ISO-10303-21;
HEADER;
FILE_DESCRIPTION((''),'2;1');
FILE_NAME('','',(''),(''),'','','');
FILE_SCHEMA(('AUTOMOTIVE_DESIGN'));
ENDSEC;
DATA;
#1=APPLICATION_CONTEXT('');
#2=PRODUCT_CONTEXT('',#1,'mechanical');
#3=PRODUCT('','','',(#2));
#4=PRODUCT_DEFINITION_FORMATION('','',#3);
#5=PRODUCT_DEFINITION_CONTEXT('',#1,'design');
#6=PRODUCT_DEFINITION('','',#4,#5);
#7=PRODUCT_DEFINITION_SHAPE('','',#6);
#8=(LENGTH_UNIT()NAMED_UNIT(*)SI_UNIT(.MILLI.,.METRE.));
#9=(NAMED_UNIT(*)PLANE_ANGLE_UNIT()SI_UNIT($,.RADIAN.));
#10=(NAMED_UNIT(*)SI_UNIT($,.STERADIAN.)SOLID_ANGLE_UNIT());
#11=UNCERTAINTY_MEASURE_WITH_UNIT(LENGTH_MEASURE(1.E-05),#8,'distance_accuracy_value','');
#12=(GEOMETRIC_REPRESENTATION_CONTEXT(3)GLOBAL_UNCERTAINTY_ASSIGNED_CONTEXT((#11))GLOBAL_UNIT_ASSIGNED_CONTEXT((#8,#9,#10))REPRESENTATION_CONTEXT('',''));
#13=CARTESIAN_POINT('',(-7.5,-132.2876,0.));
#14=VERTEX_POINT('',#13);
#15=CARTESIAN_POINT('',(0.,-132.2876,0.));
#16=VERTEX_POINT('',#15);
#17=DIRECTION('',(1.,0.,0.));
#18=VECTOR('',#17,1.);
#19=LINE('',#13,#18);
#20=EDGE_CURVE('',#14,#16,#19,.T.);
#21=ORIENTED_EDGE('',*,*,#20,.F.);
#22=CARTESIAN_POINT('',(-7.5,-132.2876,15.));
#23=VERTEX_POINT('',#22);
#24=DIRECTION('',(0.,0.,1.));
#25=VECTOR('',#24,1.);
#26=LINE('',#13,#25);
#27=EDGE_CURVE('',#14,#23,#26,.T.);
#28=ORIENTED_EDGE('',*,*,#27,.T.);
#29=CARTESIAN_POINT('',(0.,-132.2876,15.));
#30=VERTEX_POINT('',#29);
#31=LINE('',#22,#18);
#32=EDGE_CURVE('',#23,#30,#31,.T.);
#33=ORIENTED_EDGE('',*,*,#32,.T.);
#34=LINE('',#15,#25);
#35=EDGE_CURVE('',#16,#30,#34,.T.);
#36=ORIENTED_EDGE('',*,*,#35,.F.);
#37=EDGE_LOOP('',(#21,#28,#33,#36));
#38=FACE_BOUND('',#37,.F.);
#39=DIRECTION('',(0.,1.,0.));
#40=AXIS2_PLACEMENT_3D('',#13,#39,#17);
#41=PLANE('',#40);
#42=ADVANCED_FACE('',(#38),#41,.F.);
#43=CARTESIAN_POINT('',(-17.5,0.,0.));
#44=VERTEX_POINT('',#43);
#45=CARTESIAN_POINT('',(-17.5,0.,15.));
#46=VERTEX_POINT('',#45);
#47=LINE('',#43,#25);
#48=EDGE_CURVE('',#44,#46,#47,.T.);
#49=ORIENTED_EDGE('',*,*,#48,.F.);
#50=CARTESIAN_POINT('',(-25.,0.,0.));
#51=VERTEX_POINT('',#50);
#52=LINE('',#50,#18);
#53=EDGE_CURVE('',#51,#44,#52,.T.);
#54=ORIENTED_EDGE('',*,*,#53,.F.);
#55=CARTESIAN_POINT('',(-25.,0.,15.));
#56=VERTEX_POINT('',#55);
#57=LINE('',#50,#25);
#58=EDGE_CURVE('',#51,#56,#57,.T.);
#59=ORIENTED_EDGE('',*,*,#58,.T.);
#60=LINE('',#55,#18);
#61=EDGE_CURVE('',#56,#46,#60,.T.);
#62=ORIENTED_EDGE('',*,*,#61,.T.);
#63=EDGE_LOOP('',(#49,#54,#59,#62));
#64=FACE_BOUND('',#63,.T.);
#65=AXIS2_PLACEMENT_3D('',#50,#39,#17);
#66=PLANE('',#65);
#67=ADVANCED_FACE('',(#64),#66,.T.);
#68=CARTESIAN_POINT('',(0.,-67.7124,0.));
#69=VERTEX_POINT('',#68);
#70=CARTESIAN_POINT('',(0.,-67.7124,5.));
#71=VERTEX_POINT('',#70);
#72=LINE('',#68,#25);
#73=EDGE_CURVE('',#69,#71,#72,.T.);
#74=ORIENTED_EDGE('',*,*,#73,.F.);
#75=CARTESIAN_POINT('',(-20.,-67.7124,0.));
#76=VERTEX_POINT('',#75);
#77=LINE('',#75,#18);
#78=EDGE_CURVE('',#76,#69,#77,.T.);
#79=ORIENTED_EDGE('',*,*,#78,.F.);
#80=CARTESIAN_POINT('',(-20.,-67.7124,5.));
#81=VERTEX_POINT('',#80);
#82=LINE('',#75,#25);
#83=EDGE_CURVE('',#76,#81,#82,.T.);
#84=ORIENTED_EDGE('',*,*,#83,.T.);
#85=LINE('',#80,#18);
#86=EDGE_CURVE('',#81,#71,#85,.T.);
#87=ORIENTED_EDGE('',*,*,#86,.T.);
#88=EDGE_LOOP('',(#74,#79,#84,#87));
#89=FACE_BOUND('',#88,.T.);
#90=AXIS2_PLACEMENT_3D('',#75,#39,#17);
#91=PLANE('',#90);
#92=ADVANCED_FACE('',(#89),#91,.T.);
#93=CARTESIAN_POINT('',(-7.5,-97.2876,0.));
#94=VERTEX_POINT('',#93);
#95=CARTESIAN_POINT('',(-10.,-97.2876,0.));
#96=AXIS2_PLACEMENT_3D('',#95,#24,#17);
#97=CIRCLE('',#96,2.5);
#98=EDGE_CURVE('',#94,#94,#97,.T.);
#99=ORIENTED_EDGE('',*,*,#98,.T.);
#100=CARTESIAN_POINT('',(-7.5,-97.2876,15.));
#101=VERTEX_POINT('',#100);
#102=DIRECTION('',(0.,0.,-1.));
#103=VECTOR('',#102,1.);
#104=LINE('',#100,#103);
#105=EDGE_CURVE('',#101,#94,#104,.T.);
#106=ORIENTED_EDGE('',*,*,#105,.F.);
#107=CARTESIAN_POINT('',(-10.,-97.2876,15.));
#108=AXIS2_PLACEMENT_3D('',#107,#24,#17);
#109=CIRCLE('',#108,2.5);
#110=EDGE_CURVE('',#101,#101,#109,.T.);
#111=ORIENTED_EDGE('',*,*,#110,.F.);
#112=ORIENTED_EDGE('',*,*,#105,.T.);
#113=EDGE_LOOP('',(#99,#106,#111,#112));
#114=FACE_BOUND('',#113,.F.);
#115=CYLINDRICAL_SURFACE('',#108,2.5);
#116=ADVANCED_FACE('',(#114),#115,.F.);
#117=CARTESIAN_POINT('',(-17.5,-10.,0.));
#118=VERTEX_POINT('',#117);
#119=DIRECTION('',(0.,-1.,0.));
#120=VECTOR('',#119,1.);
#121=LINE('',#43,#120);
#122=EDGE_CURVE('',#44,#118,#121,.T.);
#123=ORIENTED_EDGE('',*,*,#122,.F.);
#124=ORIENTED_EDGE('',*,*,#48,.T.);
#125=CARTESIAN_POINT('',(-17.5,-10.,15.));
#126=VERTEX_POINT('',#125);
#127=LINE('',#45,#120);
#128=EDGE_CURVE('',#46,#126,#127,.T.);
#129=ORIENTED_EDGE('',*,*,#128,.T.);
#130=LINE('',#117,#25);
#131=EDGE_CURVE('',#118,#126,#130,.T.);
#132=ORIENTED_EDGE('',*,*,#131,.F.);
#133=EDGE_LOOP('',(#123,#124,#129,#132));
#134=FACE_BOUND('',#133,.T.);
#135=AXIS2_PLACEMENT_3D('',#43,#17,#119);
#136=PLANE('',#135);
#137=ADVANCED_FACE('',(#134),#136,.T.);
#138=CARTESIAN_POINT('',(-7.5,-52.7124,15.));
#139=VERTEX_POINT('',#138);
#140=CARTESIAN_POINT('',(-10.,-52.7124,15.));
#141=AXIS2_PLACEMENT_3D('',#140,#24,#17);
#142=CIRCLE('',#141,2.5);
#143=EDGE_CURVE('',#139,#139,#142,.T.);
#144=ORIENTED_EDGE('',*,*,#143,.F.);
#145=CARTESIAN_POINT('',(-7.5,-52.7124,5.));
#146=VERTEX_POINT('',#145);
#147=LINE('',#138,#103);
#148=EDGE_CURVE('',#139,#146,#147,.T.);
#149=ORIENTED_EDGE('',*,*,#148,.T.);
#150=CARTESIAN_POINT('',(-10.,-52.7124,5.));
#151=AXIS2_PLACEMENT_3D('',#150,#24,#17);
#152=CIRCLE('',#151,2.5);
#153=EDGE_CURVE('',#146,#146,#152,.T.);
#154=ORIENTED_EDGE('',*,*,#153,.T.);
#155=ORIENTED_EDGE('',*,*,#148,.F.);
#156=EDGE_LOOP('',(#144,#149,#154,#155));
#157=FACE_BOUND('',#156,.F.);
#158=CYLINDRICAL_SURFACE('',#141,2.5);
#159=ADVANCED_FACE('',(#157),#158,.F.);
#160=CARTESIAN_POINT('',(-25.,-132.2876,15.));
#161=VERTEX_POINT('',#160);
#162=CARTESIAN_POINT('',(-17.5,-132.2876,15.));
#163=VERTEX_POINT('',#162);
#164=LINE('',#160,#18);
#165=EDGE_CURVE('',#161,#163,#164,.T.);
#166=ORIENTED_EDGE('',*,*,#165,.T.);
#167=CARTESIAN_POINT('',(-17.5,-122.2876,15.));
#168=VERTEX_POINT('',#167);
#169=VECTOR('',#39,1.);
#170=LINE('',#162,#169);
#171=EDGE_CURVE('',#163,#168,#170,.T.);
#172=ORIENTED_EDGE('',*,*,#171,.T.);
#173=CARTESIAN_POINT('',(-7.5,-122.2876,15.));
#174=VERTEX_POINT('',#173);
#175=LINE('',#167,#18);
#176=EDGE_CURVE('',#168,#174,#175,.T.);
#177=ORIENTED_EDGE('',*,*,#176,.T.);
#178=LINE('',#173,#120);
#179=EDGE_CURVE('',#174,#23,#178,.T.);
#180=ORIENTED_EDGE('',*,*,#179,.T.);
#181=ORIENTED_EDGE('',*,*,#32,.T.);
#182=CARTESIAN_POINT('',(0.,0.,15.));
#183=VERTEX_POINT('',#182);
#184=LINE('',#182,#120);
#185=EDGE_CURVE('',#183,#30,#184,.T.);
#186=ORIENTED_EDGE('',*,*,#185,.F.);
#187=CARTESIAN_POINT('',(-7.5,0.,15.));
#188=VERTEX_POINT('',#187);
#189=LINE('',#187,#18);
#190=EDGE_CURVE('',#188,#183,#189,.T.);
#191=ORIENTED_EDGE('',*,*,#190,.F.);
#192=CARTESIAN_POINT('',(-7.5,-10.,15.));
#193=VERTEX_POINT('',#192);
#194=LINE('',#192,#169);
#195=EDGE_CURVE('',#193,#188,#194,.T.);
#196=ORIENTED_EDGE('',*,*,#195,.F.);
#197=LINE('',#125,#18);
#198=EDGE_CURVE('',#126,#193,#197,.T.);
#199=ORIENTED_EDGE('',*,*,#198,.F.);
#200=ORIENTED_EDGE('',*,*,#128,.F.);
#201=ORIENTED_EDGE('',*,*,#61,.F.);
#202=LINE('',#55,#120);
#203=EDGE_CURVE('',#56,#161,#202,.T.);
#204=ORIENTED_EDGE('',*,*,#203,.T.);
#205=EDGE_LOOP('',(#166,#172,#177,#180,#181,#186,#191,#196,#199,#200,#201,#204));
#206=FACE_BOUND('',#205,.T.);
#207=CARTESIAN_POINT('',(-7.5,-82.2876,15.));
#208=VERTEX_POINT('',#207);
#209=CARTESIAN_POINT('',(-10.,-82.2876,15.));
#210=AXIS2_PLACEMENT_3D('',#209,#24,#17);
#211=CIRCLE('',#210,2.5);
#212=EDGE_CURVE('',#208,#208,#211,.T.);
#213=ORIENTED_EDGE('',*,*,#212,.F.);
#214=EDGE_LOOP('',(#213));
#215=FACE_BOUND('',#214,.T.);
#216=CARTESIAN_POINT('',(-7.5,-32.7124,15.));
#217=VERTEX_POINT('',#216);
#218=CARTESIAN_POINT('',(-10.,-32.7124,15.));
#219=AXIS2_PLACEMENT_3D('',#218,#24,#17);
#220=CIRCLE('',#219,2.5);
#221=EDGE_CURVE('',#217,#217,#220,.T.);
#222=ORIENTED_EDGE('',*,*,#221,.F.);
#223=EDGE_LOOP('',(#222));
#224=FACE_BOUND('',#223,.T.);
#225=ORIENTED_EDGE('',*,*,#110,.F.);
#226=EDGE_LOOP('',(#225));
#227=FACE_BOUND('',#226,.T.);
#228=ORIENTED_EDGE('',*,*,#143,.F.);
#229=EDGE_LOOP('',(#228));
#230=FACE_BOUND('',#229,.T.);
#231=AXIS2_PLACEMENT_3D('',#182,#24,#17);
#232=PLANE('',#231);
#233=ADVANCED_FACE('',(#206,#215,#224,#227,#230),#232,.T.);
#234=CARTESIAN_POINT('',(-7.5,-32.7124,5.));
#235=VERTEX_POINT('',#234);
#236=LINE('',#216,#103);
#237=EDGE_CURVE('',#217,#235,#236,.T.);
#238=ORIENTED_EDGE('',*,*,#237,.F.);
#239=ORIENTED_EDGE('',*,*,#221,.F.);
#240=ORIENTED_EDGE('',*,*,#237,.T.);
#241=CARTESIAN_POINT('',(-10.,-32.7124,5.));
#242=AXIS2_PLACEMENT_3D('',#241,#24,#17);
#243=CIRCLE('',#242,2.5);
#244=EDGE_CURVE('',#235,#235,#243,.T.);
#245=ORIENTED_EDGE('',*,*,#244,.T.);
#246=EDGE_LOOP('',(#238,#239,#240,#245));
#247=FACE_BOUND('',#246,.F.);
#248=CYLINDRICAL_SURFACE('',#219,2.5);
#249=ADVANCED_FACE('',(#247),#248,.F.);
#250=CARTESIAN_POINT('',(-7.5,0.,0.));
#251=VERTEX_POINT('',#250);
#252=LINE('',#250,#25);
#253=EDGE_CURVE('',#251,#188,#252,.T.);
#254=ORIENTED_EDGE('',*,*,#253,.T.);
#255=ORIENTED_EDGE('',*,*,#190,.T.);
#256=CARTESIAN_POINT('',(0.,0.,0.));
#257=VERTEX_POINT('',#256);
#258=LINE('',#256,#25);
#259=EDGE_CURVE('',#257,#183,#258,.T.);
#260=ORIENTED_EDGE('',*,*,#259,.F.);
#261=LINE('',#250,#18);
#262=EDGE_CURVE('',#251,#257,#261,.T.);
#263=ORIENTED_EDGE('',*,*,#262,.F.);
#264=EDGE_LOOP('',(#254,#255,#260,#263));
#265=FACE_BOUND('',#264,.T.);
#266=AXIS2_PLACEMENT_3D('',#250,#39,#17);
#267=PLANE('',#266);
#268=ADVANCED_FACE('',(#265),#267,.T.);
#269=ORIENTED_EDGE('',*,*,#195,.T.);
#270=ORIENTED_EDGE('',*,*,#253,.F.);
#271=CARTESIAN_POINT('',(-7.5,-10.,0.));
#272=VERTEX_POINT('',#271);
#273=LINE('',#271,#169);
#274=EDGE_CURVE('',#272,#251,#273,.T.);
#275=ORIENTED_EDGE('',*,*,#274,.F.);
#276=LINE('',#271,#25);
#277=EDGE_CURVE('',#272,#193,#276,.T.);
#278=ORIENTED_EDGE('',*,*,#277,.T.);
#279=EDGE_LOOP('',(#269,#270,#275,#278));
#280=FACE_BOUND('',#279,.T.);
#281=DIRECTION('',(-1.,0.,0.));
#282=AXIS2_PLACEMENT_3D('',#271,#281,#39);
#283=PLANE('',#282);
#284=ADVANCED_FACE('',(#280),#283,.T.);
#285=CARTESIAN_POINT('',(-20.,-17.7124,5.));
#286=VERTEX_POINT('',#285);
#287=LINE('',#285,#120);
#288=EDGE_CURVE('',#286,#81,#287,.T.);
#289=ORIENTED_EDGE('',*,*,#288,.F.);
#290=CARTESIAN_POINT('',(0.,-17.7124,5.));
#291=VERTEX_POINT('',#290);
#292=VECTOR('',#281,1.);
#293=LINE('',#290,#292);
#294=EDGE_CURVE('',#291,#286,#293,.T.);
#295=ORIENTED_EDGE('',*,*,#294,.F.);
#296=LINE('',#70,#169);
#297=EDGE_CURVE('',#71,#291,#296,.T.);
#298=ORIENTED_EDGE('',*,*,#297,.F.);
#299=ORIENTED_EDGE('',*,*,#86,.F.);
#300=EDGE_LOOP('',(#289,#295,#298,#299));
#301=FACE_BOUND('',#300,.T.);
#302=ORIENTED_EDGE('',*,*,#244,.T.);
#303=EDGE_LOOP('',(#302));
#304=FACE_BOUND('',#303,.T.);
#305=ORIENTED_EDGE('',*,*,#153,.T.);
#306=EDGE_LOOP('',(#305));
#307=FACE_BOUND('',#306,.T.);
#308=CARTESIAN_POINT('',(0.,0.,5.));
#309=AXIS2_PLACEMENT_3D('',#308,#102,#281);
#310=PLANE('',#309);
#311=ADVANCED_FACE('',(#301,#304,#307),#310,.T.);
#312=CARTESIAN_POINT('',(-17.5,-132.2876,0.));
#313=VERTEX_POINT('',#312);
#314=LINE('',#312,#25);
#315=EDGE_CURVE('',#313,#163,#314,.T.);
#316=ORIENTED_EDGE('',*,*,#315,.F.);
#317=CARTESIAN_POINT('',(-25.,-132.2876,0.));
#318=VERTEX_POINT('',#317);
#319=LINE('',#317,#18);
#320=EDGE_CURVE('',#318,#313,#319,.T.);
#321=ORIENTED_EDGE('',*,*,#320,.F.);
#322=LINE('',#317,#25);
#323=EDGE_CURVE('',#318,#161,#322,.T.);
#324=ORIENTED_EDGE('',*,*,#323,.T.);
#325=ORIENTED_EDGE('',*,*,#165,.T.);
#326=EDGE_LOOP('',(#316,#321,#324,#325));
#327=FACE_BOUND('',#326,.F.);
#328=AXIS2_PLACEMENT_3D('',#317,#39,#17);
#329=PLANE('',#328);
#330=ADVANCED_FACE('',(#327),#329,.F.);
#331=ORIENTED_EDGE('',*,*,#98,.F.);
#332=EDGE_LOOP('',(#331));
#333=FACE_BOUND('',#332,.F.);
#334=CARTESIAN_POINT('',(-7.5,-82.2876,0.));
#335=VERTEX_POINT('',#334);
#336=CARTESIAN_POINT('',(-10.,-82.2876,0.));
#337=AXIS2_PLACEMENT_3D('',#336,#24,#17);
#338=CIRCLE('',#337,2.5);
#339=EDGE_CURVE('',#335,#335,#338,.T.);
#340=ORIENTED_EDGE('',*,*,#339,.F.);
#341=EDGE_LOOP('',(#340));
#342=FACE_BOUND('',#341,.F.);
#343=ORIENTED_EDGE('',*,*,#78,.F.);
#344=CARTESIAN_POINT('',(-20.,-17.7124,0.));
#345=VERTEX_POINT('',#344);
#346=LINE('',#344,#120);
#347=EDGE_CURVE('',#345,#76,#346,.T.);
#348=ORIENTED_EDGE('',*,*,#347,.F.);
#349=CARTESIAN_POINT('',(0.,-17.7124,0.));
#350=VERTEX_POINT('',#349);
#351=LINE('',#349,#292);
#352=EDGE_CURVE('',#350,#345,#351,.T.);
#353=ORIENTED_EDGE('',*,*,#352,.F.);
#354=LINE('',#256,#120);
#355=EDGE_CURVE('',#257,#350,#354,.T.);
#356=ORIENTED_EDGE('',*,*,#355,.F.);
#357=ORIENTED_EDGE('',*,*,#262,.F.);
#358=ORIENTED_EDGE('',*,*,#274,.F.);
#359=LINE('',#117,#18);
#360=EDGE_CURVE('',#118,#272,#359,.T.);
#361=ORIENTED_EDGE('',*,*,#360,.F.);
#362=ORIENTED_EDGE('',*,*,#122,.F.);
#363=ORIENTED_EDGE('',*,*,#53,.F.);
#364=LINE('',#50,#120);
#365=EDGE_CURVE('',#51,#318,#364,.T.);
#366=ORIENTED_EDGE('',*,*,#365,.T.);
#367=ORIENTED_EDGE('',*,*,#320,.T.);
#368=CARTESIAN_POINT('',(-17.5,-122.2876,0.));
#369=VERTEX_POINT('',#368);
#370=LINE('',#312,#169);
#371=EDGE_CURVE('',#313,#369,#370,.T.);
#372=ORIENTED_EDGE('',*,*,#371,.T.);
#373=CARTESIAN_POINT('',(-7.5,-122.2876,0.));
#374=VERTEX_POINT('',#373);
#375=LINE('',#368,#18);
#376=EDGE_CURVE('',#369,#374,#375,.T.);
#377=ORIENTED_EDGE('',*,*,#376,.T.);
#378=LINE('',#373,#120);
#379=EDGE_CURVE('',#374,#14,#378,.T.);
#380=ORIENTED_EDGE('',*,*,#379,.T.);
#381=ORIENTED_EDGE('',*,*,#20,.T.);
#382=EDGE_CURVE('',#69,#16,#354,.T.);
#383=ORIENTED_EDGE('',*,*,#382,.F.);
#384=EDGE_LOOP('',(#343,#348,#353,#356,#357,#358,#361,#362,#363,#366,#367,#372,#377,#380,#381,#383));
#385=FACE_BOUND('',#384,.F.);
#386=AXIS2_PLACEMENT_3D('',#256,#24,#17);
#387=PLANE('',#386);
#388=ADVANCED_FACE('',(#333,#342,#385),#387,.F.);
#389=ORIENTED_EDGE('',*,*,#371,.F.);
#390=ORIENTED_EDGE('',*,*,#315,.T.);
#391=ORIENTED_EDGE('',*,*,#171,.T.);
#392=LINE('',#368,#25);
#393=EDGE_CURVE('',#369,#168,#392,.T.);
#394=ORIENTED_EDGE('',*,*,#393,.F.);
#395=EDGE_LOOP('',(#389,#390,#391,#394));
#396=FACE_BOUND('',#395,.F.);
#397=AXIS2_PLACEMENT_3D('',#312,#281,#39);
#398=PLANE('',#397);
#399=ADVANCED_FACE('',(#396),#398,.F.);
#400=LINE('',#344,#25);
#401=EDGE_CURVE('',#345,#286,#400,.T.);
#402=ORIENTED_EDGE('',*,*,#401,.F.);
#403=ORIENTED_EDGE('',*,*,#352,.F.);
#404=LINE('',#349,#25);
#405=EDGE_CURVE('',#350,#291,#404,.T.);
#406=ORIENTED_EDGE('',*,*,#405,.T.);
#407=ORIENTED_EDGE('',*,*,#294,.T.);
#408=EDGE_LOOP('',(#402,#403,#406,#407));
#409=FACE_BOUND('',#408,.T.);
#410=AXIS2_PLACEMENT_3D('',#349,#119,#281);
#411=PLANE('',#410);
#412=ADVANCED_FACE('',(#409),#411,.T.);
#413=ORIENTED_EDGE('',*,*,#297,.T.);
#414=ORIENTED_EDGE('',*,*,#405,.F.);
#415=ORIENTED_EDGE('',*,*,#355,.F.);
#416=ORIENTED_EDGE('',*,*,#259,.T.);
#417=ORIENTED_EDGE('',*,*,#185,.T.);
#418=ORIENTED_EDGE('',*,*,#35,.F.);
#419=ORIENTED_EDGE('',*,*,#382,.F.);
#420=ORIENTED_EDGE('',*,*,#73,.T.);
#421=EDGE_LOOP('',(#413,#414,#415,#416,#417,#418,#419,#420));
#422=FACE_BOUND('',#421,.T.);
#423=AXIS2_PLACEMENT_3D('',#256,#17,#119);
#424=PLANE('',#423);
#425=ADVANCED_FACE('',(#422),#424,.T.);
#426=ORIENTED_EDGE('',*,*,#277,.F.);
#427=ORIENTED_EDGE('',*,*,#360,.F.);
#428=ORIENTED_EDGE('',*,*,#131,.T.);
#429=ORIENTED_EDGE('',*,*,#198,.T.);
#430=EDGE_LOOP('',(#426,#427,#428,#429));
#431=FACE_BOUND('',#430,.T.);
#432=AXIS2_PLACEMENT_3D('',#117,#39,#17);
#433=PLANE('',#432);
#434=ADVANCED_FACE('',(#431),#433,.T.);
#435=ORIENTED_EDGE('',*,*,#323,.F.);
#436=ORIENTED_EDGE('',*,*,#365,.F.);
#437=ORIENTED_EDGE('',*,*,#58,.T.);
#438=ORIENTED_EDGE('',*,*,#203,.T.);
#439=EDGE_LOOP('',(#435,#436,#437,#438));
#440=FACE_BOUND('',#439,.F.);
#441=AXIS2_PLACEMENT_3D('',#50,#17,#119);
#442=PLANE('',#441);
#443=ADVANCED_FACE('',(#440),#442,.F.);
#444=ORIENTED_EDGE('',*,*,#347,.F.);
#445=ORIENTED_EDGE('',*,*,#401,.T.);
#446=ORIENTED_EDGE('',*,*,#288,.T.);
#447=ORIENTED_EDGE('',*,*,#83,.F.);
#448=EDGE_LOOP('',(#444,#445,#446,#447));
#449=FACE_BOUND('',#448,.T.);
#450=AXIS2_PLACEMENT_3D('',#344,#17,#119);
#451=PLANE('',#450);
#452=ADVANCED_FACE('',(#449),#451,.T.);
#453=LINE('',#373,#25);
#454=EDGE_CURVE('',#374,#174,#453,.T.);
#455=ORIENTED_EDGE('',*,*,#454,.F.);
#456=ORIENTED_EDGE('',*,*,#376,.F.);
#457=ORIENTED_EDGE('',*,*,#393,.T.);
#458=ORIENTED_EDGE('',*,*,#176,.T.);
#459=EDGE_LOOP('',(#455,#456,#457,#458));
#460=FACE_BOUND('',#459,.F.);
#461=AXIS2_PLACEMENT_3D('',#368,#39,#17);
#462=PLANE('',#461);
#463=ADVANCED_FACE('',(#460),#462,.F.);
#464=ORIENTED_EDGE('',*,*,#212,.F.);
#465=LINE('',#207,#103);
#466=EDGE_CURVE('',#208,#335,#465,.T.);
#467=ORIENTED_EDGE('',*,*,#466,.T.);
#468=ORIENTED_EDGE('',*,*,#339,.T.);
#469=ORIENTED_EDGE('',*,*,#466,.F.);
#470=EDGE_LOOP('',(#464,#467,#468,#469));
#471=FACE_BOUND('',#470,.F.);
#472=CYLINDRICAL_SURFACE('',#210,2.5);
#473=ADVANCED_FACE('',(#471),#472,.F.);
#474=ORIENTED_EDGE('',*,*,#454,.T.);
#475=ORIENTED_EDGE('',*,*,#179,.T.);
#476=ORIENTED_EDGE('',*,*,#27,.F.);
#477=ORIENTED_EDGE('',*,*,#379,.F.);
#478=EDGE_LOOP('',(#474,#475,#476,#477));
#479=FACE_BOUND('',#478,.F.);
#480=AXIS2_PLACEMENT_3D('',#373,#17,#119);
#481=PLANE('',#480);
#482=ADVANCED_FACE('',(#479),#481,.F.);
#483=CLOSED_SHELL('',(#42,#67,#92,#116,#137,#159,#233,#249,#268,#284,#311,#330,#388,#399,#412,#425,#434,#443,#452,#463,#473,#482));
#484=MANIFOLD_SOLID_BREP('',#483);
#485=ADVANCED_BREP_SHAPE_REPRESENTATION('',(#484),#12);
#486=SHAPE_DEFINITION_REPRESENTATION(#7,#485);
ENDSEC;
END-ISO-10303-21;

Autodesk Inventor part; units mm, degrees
ref_plane "YZ Plane" through (0, 0, 0) normal (1, 0, 0) x (0, 1, 0)
ref_plane "XZ Plane" through (0, 0, 0) normal (0, 1, 0) x (-1, 0, 0)
ref_plane "XY Plane" through (0, 0, 0) normal (0, 0, 1) x (1, 0, 0)
sketch "Sketch1" plane through (0, 0, 0) normal (0, 0, 1) x (1, 0, 0)
  circle A0 centre (-175, 0) radius 225 construction
  circle A1 centre (-175, 0) radius 200 construction
  line L0 (-25, 0) -> (-25, -132.2876)
  line L1 (-17.5, 0) -> (-17.5, -10)
  line L2 (-17.5, -10) -> (-7.5, -10)
  line L3 (-17.5, -10) -> (-7.5, -10) construction
  line L4 (-7.5, -10) -> (-7.5, 0)
  line L5 (-25, 0) -> (-17.5, 0)
  line L6 (-7.5, 0) -> (0, 0)
  line L7 (0, 0) -> (0, -132.2876)
  line L8 (-17.5, -132.2876) -> (-17.5, -122.2876)
  line L9 (-17.5, -132.2876) -> (-7.5, -132.2876) construction
  line L10 (-17.5, -122.2876) -> (-7.5, -122.2876)
  line L11 (-7.5, -122.2876) -> (-7.5, -132.2876)
  line L12 (-25, -132.2876) -> (-17.5, -132.2876)
  line L13 (-7.5, -132.2876) -> (0, -132.2876)
  dimension "d0" = 450
  dimension "d1" = 25
  dimension "d2" = 175
  dimension "d3" = 25
  dimension "d5" = 10
  dimension "d6" = 10
  dimension "d7" = 0
  dimension "d8" = 7.5
  dimension "d11" = 10
  dimension "d12" = 90
  dimension "d13" = 10
  dimension "d14" = 90
extrude "Extrusion1" add sketch "Sketch1" along normal blind 15
sketch "Sketch2" plane through (0, 0, 15) normal (0, 0, 1) x (1, 0, 0)
  line L0 (0, -17.7124) -> (-20, -17.7124) construction
  line L1 (-20, -17.7124) -> (-20, -67.7124) construction
  line L2 (-20, -67.7124) -> (0, -67.7124) construction
  line L3 (0, -67.7124) -> (0, -17.7124) construction
  line L4 (-7.5, -132.2876) -> (0, -132.2876) construction
  circle A0 centre (-10, -32.7124) radius 2.5
  circle A1 centre (-10, -52.7124) radius 2.5
  point P0 (0, 0)
  dimension "d15" = 20
  dimension "d16" = 50
  dimension "d17" = 64.5751
  dimension "d18" = 5
  dimension "d19" = 5
  dimension "d20" = 15
  dimension "d21" = 15
  dimension "d22" = 10
  dimension "d23" = 10
extrude "Extrusion2" cut sketch "Sketch2" against normal through all
thread "Thread1" size "M5x0.8" class "6H" standard "ANSI Metric M Profile" full length
thread "Thread2" size "M5x0.8" class "6H" standard "ANSI Metric M Profile" full length
sketch "Sketch3" plane through (0, 0, 15) normal (0, 0, 1) x (1, 0, 0)
  circle A0 centre (-10, -82.2876) radius 2.5
  circle A1 centre (-10, -97.2876) radius 2.5
  line L0 (0, -132.2876) -> (0, 0) projected
  line L1 (-7.5, -132.2876) -> (0, -132.2876) projected
  dimension "d30" = 5
  dimension "d31" = 5
  dimension "d32" = 10
  dimension "d33" = 10
  dimension "d34" = 15
  dimension "d35" = 35
extrude "Extrusion3" cut sketch "Sketch3" against normal through all
thread "Thread3" size "M5x0.8" class "6H" standard "ANSI Metric M Profile" full length
thread "Thread4" size "M5x0.8" class "6H" standard "ANSI Metric M Profile" full length
sketch "Sketch5" plane through (0, 0, 0) normal (0, 0, -1) x (-1, 0, 0)
  line L0 (0, -17.7124) -> (20, -17.7124)
  line L1 (20, -17.7124) -> (20, -67.7124)
  line L2 (20, -67.7124) -> (0, -67.7124)
  line L3 (0, -67.7124) -> (0, -17.7124)
  point P0 (0, 0)
  dimension "d50" = 20
  dimension "d51" = 50
  dimension "d52" = 17.7124
extrude "Extrusion5" cut sketch "Sketch5" against normal blind 5
properties part number "CP002" material "ABS Plastic"
